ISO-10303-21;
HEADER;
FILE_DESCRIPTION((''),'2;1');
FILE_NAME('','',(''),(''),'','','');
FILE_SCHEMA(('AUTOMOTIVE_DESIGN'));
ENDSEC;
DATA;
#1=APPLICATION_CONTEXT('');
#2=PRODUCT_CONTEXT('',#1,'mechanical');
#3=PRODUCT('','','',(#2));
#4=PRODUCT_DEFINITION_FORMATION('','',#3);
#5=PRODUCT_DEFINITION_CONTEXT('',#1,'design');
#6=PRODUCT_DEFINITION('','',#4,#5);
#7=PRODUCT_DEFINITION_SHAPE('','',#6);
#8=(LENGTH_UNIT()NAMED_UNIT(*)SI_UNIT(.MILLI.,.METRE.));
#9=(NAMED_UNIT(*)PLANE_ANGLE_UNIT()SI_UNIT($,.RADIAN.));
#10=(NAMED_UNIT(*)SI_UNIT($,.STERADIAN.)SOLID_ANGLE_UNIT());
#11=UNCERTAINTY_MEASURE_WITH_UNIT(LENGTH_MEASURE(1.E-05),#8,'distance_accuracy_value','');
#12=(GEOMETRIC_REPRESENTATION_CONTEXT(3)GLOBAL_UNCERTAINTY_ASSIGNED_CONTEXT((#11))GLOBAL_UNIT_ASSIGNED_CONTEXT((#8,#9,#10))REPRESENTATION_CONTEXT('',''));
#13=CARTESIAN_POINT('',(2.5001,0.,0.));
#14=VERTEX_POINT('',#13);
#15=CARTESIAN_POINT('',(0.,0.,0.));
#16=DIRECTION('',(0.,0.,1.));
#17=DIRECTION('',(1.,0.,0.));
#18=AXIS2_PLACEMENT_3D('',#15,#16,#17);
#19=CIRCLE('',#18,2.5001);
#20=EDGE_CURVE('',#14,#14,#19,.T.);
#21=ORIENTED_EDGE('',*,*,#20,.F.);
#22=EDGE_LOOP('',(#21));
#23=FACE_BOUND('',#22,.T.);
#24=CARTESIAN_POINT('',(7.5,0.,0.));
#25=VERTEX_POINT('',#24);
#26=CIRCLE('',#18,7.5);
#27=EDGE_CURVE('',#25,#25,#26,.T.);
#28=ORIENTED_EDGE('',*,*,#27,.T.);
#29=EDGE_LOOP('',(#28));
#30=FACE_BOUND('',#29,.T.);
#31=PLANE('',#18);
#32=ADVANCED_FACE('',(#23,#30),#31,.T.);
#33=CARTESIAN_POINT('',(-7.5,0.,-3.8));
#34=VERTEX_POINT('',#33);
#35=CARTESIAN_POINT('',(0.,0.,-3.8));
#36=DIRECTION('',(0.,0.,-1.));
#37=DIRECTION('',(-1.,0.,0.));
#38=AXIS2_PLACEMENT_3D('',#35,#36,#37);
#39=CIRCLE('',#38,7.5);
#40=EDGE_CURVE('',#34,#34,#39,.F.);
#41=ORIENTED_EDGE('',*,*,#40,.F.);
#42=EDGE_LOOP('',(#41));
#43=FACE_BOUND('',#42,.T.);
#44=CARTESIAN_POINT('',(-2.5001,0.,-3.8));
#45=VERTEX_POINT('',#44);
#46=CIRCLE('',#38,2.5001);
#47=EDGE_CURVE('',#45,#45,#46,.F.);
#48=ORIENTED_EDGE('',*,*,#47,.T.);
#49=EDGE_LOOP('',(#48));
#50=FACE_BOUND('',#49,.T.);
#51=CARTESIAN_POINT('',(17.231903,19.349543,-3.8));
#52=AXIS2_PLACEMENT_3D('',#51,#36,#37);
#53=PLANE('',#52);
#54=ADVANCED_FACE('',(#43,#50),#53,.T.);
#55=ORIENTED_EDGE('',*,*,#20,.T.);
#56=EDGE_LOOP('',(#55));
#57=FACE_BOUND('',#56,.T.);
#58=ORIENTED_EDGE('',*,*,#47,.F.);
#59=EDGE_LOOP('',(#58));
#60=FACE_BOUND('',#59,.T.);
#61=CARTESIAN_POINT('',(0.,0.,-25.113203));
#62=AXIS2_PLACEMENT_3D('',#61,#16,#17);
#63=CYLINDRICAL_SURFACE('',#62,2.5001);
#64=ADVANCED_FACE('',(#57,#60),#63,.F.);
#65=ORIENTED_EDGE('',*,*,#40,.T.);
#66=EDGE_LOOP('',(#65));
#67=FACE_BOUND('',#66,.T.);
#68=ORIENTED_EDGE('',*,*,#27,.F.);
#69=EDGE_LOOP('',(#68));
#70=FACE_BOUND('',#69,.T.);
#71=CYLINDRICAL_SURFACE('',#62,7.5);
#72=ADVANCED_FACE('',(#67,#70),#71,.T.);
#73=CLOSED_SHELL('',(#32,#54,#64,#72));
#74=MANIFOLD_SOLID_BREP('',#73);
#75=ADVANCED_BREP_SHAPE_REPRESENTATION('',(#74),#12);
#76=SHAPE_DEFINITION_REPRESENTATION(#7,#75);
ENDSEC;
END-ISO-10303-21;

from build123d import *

# Parameters (mm, degrees)
SKETCH_1_R      = 7.5
SKETCH_1_R_2    = 2.5001
EXTRUDE_1_DEPTH = 3.8


with BuildPart() as part:
    # Эскиз1 → Бобышка-Вытянуть1 (new body)
    with BuildSketch(Plane.XY):
        Circle(SKETCH_1_R)
        Circle(SKETCH_1_R_2, mode=Mode.SUBTRACT)
    extrude(amount=-EXTRUDE_1_DEPTH)


solid = part.part
